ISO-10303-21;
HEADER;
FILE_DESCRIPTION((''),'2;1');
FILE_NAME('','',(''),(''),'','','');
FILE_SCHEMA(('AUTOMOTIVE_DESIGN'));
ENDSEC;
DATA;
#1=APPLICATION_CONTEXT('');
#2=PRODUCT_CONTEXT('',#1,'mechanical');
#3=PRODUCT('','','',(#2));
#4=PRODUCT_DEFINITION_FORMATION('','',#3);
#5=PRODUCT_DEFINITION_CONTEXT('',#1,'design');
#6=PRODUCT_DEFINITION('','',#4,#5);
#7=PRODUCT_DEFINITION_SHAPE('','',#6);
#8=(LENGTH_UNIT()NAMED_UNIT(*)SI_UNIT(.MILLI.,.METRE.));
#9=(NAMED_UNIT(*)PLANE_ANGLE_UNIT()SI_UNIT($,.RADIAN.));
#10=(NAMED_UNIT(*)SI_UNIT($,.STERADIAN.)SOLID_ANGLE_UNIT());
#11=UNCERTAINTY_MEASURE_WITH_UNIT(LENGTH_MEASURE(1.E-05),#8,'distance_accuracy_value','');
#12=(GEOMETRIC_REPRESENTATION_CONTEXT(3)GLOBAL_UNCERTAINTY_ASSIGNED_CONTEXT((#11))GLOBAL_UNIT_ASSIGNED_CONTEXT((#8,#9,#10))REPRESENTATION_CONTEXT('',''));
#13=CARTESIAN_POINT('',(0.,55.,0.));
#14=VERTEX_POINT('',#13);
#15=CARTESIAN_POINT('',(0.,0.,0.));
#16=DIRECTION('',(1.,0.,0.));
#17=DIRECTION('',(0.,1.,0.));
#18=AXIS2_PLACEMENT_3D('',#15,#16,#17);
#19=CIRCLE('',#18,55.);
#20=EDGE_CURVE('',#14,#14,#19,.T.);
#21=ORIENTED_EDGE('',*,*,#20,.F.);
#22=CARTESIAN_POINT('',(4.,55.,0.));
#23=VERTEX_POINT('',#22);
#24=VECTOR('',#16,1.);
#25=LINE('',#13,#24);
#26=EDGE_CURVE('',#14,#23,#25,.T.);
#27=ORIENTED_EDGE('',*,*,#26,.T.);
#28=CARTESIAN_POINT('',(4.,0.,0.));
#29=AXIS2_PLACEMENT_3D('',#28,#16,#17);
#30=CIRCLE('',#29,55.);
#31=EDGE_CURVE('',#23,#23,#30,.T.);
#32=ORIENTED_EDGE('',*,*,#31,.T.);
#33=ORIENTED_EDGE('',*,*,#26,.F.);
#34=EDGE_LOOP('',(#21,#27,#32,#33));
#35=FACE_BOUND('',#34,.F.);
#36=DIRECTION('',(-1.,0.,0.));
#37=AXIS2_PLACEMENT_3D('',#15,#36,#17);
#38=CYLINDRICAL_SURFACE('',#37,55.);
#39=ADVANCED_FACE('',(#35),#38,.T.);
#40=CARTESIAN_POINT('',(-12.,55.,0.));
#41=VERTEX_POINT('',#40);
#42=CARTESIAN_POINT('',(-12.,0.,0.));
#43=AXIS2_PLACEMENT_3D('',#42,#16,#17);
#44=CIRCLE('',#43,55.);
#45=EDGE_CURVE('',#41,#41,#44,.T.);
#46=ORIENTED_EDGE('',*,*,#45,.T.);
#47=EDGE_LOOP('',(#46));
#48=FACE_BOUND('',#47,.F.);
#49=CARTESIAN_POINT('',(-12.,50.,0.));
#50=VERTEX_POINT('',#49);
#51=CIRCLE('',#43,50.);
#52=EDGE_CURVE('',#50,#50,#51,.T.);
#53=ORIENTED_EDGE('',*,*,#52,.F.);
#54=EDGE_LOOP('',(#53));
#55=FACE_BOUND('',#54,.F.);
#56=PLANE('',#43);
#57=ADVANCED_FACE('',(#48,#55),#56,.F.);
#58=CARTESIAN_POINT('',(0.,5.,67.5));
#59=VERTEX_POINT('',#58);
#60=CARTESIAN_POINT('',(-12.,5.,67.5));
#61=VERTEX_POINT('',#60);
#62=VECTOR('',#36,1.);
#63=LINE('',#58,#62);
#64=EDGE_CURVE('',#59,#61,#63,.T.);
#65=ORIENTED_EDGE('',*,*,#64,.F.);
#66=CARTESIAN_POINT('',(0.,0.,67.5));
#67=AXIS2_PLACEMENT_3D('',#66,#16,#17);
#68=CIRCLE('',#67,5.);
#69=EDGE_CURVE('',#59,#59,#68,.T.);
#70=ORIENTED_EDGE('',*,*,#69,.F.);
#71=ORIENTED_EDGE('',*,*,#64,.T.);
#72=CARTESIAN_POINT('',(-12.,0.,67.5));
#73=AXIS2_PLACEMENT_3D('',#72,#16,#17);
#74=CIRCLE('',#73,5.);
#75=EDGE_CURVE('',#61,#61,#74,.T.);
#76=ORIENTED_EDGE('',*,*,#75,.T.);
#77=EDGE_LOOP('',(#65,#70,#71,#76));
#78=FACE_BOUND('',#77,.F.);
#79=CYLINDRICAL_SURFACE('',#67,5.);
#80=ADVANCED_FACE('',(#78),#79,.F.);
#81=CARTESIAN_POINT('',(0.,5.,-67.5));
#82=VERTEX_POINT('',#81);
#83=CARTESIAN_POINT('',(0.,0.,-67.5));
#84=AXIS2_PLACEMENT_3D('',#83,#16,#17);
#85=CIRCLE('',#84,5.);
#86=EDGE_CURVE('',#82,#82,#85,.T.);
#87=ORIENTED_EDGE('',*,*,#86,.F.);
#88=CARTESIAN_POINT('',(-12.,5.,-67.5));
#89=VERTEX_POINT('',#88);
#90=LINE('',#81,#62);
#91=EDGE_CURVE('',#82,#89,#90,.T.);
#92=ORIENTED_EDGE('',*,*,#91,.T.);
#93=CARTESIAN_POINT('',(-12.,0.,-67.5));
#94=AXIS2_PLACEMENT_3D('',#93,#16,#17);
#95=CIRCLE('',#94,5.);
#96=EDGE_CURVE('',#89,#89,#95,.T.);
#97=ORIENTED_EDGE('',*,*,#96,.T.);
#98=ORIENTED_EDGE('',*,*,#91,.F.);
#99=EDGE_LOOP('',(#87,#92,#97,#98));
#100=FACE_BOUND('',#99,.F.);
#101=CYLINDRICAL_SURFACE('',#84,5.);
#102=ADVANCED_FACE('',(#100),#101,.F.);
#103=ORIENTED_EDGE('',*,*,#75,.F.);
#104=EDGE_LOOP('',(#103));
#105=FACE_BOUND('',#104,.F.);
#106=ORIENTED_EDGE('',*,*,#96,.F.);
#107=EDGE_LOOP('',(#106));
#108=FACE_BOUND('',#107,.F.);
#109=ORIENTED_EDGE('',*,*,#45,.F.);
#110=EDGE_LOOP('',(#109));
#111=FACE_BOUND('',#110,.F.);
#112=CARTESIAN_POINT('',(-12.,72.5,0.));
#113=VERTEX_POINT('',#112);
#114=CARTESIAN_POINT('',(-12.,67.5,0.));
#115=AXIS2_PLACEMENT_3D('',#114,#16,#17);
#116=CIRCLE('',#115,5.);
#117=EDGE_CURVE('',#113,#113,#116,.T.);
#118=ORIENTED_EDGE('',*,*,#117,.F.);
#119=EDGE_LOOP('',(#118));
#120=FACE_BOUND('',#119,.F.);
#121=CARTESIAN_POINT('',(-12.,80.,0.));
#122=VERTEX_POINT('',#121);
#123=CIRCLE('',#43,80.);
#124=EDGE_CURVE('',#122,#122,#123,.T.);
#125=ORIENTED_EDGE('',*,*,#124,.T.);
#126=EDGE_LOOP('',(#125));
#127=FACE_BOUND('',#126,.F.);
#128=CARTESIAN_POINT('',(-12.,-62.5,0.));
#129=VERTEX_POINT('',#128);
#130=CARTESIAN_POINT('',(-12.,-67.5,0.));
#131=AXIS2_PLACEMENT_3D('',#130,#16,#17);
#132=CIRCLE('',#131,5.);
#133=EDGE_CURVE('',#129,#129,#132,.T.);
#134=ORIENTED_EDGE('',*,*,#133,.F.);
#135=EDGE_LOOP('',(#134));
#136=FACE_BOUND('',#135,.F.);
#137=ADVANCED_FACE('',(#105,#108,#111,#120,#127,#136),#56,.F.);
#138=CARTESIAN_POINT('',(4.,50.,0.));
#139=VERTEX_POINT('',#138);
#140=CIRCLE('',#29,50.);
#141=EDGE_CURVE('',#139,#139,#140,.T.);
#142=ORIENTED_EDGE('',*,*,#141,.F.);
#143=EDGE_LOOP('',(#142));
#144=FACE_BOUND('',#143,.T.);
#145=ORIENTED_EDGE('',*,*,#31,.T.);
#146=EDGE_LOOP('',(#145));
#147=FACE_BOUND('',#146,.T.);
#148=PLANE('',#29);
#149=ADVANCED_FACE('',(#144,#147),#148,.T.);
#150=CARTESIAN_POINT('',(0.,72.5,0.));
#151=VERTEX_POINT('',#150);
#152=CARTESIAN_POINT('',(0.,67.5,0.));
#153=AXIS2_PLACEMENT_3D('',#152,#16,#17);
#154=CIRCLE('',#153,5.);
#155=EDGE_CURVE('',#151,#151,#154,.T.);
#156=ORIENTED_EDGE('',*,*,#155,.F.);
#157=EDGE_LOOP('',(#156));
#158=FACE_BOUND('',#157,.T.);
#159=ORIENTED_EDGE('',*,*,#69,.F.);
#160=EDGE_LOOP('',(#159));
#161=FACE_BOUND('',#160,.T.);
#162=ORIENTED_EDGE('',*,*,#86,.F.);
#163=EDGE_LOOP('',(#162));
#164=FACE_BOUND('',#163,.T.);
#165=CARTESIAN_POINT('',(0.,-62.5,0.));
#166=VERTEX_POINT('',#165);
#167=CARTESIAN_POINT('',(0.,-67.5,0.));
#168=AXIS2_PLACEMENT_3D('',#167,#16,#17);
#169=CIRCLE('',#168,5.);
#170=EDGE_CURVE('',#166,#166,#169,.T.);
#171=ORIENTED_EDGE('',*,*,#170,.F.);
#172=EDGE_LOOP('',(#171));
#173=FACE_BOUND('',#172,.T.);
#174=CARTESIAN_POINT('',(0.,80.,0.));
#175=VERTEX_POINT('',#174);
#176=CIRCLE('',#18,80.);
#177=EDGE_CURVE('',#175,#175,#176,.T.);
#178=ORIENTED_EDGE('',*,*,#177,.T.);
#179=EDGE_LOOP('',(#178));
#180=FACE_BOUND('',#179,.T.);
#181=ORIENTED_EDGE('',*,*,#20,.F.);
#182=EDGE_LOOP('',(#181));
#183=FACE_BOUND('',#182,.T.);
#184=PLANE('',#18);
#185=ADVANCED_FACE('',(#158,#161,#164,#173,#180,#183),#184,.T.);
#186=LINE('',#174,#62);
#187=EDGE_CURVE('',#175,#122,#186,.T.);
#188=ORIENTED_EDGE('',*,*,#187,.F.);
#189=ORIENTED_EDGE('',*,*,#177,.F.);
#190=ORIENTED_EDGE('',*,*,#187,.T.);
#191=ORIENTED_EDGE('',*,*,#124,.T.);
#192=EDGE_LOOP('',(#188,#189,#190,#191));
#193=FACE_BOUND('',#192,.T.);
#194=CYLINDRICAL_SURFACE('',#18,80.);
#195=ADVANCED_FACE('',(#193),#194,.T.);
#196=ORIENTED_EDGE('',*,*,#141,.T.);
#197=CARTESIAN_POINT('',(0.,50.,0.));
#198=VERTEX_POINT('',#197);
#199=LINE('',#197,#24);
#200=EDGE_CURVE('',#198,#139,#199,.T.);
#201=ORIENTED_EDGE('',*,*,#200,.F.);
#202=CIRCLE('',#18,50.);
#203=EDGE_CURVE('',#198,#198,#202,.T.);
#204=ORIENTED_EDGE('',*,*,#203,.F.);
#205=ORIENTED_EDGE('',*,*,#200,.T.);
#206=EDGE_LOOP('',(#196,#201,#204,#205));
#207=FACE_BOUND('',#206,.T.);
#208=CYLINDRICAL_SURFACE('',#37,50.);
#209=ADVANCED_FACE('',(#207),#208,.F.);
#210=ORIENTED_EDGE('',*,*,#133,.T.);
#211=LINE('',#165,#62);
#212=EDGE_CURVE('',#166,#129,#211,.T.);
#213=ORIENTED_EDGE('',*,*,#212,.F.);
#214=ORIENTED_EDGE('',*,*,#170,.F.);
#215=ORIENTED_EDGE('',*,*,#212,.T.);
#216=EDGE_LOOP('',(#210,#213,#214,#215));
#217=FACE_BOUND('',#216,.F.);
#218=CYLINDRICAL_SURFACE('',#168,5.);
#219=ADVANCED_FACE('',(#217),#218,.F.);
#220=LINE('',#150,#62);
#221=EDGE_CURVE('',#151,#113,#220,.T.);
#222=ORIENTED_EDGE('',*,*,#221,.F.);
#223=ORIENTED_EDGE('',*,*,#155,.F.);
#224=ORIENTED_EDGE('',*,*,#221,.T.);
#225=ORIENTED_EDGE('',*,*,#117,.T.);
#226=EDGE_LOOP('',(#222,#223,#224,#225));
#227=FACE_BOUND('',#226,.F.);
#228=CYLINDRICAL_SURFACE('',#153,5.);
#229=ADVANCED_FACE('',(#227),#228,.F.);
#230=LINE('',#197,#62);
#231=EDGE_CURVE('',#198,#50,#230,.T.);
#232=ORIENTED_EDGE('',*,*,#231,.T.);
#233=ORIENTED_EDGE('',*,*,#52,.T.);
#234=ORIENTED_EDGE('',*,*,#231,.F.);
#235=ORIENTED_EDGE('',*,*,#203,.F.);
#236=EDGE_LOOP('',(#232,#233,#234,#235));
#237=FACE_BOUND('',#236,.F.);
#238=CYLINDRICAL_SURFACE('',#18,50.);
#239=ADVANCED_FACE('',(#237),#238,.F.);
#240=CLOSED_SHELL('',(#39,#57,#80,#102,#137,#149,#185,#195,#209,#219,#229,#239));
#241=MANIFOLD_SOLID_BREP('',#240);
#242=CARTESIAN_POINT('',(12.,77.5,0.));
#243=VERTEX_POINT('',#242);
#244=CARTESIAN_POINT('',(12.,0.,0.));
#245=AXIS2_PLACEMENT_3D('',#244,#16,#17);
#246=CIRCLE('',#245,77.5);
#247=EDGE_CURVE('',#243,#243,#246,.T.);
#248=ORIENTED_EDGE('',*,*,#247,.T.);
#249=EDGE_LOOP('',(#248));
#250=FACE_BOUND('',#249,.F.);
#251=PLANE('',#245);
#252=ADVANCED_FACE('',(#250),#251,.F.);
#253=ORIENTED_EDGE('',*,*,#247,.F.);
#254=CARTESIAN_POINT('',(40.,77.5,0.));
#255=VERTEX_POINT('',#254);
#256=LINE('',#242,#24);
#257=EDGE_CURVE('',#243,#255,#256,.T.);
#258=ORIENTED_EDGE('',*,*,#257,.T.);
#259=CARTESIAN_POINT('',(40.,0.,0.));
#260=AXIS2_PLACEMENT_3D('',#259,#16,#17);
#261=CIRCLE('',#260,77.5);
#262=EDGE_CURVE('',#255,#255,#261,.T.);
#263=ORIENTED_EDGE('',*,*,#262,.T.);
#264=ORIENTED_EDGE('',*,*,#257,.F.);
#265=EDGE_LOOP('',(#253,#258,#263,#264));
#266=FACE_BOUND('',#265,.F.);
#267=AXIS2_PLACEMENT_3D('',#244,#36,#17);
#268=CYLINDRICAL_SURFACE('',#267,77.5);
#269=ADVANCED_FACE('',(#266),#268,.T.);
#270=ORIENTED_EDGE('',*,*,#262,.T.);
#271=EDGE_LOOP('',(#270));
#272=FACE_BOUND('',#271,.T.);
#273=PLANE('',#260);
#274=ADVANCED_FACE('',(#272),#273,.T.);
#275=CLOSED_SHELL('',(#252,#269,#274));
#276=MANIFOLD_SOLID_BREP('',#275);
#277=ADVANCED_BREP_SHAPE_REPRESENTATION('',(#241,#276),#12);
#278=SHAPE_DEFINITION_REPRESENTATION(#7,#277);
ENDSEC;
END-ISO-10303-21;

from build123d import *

# Parameters (mm, degrees)
F0_R          = 80
F0_R_2        = 5
F0_R_3        = 55
F1_DEPTH      = 12
F0_R_4        = 50
F2_DEPTH      = 4
F2_DEPTH_BACK = 12
F4_START      = 12
F3_R          = 77.5
F4_DEPTH      = 28


with BuildPart() as f1:
    # F0 (on Right) → F1 (new body)
    with BuildSketch(Plane.YZ):
        Circle(F0_R)
        with Locations((0, -67.5)):
            Circle(F0_R_2, mode=Mode.SUBTRACT)
        with Locations((-67.5, 0)):
            Circle(F0_R_2, mode=Mode.SUBTRACT)
        Circle(F0_R_3, mode=Mode.SUBTRACT)
        with Locations((67.5, 0)):
            Circle(F0_R_2, mode=Mode.SUBTRACT)
        with Locations((0, 67.5)):
            Circle(F0_R_2, mode=Mode.SUBTRACT)
    extrude(amount=-F1_DEPTH)

    # F0 (on Right) → F2 (join, two sides)
    with BuildSketch(Plane.YZ) as f2_sk:
        Circle(F0_R_3)
        Circle(F0_R_4, mode=Mode.SUBTRACT)
    extrude(amount=F2_DEPTH)
    extrude(f2_sk.sketch, amount=-F2_DEPTH_BACK)


with BuildPart() as f4:
    # F3 (on Right) → F4 (new body)
    with BuildSketch(Plane.YZ.offset(F4_START)):
        Circle(F3_R)
    extrude(amount=F4_DEPTH)


solid = Compound([f1.part, f4.part])
